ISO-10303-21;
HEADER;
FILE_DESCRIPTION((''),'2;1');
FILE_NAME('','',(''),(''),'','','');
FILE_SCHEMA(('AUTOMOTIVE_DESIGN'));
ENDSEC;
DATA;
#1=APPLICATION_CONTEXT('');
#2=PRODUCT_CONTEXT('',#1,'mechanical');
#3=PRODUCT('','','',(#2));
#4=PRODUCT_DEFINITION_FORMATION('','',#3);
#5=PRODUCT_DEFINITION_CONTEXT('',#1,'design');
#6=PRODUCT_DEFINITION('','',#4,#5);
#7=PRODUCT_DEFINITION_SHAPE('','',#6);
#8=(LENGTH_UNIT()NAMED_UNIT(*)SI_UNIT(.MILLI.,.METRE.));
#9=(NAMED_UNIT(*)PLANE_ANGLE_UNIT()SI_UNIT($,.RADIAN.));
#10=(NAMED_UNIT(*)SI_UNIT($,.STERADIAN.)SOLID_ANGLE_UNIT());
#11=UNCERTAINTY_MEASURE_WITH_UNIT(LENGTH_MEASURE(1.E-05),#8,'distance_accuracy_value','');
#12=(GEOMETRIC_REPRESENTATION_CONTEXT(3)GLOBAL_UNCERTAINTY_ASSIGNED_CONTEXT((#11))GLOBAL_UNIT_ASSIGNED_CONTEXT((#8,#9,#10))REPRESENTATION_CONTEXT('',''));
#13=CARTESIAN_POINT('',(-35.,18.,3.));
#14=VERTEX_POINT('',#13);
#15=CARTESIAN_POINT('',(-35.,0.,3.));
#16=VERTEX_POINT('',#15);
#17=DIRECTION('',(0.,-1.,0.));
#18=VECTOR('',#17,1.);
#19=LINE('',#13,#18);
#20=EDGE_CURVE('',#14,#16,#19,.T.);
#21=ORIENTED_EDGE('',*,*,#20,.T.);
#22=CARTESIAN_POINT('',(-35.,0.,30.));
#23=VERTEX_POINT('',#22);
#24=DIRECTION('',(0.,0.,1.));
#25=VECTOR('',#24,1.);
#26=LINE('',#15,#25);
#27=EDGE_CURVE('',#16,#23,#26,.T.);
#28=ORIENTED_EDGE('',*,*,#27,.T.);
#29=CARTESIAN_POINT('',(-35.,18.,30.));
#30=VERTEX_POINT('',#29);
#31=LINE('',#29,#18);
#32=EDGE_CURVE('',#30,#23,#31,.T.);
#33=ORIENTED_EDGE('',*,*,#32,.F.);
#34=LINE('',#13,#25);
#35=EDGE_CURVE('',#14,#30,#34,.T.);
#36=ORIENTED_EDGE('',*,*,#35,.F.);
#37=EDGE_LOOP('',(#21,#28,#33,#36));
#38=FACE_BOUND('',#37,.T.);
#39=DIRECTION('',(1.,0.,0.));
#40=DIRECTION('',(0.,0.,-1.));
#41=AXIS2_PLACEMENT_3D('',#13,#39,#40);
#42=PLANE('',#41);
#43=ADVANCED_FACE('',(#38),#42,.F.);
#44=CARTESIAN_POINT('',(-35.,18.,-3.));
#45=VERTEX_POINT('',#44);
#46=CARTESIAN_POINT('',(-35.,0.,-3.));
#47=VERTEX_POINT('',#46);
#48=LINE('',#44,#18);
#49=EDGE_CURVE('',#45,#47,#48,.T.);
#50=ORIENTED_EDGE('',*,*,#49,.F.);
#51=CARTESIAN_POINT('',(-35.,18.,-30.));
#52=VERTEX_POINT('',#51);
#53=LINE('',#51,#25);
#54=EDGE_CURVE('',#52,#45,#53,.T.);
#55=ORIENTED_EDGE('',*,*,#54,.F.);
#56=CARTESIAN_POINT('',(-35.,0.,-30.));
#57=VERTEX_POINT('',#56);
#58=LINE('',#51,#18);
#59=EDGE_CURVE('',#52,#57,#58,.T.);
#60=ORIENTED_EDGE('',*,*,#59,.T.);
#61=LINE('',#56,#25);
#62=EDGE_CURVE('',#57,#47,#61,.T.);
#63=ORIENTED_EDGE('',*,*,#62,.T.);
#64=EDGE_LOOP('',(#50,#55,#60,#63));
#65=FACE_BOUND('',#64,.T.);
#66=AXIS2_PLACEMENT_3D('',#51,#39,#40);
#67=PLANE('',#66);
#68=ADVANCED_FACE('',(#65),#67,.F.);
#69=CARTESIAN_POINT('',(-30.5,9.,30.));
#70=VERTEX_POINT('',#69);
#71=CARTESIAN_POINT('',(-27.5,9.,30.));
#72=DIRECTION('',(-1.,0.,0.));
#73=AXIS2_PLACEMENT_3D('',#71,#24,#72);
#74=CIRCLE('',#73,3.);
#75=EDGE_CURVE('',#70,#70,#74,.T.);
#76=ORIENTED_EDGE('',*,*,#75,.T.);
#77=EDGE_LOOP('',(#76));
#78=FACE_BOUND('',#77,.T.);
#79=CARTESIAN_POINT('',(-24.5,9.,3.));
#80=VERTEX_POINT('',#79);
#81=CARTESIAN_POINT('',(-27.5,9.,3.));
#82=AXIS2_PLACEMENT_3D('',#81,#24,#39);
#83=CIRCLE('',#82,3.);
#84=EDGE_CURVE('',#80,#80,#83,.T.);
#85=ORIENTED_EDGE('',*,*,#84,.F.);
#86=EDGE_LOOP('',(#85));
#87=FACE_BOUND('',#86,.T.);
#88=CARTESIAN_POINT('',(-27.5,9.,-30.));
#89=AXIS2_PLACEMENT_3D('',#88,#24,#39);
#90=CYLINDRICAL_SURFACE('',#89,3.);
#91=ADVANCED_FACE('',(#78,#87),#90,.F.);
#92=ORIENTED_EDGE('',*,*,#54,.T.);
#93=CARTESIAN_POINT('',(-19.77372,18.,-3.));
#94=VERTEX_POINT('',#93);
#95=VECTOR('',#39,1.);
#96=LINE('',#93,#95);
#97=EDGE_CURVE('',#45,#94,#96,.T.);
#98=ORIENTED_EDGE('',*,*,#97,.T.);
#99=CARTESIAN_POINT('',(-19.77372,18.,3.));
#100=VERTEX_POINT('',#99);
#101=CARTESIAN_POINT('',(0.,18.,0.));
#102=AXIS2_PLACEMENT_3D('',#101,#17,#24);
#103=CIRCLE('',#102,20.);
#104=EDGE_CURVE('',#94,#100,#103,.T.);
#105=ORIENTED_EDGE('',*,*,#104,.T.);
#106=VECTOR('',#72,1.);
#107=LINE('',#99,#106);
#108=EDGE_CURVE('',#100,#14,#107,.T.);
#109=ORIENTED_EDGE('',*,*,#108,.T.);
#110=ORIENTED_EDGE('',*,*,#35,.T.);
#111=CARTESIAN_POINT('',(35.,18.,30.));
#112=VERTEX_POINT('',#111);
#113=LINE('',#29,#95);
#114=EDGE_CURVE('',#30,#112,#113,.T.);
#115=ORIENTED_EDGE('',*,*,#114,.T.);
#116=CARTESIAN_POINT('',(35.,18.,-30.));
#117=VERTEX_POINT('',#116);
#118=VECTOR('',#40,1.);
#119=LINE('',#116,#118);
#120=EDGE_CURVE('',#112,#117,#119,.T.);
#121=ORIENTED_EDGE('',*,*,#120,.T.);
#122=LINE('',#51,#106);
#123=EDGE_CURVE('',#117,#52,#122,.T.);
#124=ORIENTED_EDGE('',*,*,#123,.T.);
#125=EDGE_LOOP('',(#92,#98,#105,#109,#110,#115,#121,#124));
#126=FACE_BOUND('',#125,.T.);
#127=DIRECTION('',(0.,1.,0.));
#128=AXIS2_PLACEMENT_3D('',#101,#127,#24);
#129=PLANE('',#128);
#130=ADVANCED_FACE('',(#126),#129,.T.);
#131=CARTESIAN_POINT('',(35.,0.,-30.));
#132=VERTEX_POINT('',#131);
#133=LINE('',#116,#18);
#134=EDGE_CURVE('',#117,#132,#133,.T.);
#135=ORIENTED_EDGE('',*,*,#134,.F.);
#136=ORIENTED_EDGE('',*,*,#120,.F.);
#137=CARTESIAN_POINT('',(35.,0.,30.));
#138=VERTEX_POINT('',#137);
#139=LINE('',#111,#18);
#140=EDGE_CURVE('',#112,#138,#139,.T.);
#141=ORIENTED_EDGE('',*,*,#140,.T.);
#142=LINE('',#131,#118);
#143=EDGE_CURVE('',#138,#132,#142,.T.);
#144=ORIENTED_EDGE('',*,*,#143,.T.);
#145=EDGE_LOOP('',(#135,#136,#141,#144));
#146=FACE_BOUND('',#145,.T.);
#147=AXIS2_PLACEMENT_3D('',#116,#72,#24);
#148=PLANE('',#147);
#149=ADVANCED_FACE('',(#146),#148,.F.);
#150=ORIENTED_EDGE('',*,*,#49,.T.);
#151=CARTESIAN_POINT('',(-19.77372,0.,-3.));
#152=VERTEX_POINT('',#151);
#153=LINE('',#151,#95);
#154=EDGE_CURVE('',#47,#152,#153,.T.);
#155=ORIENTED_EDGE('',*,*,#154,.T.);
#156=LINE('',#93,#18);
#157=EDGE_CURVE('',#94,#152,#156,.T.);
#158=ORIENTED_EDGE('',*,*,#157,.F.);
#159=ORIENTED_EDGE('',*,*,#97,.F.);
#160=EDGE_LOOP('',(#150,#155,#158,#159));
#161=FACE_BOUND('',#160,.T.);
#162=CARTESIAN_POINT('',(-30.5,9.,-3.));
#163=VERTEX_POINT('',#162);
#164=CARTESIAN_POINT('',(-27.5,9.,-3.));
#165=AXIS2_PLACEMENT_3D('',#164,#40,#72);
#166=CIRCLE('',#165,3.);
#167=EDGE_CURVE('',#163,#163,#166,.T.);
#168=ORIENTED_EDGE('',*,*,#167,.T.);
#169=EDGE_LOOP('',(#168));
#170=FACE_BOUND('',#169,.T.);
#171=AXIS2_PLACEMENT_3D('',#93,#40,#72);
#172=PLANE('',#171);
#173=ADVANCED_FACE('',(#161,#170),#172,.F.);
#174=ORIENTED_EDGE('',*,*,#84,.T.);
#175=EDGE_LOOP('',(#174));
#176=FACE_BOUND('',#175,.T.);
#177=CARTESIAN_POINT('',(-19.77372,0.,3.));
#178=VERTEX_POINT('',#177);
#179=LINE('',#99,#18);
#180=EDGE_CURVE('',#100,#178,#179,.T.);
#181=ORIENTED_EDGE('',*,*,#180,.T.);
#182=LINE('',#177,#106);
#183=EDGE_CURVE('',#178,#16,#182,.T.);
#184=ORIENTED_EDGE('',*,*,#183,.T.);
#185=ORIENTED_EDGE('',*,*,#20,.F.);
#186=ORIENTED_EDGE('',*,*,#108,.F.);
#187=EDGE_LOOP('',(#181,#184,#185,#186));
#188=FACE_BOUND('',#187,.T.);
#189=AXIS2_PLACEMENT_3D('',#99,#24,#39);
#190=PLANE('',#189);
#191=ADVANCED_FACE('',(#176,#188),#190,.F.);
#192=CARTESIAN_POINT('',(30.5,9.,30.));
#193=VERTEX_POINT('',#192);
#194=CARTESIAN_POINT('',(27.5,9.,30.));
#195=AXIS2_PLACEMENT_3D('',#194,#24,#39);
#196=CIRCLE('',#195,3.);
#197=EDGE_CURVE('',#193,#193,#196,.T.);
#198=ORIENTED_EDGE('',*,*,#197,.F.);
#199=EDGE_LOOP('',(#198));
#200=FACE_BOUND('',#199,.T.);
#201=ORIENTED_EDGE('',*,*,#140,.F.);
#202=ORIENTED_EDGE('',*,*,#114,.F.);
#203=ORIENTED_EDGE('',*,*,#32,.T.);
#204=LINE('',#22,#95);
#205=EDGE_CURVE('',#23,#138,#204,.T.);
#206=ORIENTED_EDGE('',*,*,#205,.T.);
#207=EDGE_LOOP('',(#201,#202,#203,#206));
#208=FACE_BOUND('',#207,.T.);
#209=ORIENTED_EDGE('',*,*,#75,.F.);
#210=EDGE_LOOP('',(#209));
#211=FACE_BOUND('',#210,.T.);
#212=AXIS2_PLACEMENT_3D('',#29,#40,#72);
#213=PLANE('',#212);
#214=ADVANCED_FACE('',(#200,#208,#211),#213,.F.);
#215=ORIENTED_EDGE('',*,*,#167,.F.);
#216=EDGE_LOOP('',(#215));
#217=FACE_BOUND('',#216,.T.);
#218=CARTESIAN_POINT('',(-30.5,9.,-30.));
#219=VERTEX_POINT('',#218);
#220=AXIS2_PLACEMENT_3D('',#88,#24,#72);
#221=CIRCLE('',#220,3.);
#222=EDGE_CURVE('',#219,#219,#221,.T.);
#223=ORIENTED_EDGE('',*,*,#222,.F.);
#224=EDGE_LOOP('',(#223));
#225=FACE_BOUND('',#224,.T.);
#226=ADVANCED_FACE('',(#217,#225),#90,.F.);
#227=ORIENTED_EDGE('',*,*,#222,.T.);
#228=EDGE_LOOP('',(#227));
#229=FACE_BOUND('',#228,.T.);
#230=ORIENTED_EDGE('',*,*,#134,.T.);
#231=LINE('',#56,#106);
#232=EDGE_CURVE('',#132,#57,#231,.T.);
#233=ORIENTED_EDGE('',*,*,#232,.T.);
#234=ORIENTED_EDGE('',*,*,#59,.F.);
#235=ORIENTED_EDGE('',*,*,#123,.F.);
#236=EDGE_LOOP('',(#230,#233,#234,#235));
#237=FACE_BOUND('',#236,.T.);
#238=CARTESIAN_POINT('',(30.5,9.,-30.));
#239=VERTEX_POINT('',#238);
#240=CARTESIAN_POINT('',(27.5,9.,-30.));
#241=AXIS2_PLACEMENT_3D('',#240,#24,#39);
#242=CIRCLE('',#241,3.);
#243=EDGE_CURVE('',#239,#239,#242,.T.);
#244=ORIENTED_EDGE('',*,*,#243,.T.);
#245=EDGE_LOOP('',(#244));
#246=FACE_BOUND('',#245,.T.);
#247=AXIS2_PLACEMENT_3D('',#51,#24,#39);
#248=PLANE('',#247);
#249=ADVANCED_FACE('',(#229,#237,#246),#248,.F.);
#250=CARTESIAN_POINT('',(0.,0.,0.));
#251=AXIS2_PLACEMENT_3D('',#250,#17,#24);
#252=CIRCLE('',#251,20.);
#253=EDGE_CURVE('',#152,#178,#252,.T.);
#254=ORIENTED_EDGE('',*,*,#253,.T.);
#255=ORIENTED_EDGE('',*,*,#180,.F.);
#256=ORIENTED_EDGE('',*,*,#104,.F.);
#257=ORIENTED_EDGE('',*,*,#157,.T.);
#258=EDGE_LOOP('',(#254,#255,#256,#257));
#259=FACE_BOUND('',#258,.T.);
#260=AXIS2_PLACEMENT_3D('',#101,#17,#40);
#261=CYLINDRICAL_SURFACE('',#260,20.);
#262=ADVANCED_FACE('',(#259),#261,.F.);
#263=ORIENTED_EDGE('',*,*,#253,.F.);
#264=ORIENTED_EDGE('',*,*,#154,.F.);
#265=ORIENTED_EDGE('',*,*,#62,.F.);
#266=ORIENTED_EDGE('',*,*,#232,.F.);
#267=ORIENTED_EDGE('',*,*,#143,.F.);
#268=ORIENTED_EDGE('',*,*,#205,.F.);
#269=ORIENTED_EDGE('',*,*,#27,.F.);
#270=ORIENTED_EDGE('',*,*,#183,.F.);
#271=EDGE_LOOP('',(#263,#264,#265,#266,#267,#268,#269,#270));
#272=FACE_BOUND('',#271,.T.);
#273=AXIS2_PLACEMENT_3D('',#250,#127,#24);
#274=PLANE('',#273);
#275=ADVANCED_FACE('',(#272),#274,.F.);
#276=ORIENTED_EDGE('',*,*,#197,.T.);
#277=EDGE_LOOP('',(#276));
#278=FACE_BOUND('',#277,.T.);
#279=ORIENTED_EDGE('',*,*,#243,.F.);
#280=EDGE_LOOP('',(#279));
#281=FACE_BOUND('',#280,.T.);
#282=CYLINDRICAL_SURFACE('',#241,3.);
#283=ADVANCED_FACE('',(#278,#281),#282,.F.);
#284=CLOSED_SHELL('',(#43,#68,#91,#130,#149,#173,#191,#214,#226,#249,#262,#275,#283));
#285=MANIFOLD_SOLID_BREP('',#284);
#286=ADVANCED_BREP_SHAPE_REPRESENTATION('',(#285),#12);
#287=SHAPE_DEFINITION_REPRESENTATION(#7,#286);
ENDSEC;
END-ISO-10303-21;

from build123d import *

# Parameters (mm, degrees)
BOSS_EXTRUDE1_DEPTH = 18
SKETCH2_R           = 3
CUT_EXTRUDE1_DEPTH  = 61


with BuildPart() as part:
    # Sketch1 → Boss-Extrude1 (new body)
    with BuildSketch(Plane(origin=(0, 0, 0), x_dir=(1, 0, 0), z_dir=(0, 1, 0))):
        with BuildLine():
            Line((-35, 30), (35, 30))
            Line((35, 30), (35, -30))
            Line((35, -30), (-35, -30))
            Line((-35, -30), (-35, -3))
            Line((-35, -3), (-19.773719933, -3))
            ThreePointArc((-19.773719933, -3), (20, 0), (-19.773719933, 3))
            Line((-19.773719933, 3), (-35, 3))
            Line((-35, 3), (-35, 30))
        make_face()
    extrude(amount=BOSS_EXTRUDE1_DEPTH)

    # Sketch2 → Cut-Extrude1 (cut, through all)
    with BuildSketch(Plane.XY.offset(30)):
        with Locations((27.5, 9)):
            Circle(SKETCH2_R)
        with Locations((-27.5, 9)):
            Circle(SKETCH2_R)
    extrude(amount=-CUT_EXTRUDE1_DEPTH, mode=Mode.SUBTRACT)


solid = part.part
